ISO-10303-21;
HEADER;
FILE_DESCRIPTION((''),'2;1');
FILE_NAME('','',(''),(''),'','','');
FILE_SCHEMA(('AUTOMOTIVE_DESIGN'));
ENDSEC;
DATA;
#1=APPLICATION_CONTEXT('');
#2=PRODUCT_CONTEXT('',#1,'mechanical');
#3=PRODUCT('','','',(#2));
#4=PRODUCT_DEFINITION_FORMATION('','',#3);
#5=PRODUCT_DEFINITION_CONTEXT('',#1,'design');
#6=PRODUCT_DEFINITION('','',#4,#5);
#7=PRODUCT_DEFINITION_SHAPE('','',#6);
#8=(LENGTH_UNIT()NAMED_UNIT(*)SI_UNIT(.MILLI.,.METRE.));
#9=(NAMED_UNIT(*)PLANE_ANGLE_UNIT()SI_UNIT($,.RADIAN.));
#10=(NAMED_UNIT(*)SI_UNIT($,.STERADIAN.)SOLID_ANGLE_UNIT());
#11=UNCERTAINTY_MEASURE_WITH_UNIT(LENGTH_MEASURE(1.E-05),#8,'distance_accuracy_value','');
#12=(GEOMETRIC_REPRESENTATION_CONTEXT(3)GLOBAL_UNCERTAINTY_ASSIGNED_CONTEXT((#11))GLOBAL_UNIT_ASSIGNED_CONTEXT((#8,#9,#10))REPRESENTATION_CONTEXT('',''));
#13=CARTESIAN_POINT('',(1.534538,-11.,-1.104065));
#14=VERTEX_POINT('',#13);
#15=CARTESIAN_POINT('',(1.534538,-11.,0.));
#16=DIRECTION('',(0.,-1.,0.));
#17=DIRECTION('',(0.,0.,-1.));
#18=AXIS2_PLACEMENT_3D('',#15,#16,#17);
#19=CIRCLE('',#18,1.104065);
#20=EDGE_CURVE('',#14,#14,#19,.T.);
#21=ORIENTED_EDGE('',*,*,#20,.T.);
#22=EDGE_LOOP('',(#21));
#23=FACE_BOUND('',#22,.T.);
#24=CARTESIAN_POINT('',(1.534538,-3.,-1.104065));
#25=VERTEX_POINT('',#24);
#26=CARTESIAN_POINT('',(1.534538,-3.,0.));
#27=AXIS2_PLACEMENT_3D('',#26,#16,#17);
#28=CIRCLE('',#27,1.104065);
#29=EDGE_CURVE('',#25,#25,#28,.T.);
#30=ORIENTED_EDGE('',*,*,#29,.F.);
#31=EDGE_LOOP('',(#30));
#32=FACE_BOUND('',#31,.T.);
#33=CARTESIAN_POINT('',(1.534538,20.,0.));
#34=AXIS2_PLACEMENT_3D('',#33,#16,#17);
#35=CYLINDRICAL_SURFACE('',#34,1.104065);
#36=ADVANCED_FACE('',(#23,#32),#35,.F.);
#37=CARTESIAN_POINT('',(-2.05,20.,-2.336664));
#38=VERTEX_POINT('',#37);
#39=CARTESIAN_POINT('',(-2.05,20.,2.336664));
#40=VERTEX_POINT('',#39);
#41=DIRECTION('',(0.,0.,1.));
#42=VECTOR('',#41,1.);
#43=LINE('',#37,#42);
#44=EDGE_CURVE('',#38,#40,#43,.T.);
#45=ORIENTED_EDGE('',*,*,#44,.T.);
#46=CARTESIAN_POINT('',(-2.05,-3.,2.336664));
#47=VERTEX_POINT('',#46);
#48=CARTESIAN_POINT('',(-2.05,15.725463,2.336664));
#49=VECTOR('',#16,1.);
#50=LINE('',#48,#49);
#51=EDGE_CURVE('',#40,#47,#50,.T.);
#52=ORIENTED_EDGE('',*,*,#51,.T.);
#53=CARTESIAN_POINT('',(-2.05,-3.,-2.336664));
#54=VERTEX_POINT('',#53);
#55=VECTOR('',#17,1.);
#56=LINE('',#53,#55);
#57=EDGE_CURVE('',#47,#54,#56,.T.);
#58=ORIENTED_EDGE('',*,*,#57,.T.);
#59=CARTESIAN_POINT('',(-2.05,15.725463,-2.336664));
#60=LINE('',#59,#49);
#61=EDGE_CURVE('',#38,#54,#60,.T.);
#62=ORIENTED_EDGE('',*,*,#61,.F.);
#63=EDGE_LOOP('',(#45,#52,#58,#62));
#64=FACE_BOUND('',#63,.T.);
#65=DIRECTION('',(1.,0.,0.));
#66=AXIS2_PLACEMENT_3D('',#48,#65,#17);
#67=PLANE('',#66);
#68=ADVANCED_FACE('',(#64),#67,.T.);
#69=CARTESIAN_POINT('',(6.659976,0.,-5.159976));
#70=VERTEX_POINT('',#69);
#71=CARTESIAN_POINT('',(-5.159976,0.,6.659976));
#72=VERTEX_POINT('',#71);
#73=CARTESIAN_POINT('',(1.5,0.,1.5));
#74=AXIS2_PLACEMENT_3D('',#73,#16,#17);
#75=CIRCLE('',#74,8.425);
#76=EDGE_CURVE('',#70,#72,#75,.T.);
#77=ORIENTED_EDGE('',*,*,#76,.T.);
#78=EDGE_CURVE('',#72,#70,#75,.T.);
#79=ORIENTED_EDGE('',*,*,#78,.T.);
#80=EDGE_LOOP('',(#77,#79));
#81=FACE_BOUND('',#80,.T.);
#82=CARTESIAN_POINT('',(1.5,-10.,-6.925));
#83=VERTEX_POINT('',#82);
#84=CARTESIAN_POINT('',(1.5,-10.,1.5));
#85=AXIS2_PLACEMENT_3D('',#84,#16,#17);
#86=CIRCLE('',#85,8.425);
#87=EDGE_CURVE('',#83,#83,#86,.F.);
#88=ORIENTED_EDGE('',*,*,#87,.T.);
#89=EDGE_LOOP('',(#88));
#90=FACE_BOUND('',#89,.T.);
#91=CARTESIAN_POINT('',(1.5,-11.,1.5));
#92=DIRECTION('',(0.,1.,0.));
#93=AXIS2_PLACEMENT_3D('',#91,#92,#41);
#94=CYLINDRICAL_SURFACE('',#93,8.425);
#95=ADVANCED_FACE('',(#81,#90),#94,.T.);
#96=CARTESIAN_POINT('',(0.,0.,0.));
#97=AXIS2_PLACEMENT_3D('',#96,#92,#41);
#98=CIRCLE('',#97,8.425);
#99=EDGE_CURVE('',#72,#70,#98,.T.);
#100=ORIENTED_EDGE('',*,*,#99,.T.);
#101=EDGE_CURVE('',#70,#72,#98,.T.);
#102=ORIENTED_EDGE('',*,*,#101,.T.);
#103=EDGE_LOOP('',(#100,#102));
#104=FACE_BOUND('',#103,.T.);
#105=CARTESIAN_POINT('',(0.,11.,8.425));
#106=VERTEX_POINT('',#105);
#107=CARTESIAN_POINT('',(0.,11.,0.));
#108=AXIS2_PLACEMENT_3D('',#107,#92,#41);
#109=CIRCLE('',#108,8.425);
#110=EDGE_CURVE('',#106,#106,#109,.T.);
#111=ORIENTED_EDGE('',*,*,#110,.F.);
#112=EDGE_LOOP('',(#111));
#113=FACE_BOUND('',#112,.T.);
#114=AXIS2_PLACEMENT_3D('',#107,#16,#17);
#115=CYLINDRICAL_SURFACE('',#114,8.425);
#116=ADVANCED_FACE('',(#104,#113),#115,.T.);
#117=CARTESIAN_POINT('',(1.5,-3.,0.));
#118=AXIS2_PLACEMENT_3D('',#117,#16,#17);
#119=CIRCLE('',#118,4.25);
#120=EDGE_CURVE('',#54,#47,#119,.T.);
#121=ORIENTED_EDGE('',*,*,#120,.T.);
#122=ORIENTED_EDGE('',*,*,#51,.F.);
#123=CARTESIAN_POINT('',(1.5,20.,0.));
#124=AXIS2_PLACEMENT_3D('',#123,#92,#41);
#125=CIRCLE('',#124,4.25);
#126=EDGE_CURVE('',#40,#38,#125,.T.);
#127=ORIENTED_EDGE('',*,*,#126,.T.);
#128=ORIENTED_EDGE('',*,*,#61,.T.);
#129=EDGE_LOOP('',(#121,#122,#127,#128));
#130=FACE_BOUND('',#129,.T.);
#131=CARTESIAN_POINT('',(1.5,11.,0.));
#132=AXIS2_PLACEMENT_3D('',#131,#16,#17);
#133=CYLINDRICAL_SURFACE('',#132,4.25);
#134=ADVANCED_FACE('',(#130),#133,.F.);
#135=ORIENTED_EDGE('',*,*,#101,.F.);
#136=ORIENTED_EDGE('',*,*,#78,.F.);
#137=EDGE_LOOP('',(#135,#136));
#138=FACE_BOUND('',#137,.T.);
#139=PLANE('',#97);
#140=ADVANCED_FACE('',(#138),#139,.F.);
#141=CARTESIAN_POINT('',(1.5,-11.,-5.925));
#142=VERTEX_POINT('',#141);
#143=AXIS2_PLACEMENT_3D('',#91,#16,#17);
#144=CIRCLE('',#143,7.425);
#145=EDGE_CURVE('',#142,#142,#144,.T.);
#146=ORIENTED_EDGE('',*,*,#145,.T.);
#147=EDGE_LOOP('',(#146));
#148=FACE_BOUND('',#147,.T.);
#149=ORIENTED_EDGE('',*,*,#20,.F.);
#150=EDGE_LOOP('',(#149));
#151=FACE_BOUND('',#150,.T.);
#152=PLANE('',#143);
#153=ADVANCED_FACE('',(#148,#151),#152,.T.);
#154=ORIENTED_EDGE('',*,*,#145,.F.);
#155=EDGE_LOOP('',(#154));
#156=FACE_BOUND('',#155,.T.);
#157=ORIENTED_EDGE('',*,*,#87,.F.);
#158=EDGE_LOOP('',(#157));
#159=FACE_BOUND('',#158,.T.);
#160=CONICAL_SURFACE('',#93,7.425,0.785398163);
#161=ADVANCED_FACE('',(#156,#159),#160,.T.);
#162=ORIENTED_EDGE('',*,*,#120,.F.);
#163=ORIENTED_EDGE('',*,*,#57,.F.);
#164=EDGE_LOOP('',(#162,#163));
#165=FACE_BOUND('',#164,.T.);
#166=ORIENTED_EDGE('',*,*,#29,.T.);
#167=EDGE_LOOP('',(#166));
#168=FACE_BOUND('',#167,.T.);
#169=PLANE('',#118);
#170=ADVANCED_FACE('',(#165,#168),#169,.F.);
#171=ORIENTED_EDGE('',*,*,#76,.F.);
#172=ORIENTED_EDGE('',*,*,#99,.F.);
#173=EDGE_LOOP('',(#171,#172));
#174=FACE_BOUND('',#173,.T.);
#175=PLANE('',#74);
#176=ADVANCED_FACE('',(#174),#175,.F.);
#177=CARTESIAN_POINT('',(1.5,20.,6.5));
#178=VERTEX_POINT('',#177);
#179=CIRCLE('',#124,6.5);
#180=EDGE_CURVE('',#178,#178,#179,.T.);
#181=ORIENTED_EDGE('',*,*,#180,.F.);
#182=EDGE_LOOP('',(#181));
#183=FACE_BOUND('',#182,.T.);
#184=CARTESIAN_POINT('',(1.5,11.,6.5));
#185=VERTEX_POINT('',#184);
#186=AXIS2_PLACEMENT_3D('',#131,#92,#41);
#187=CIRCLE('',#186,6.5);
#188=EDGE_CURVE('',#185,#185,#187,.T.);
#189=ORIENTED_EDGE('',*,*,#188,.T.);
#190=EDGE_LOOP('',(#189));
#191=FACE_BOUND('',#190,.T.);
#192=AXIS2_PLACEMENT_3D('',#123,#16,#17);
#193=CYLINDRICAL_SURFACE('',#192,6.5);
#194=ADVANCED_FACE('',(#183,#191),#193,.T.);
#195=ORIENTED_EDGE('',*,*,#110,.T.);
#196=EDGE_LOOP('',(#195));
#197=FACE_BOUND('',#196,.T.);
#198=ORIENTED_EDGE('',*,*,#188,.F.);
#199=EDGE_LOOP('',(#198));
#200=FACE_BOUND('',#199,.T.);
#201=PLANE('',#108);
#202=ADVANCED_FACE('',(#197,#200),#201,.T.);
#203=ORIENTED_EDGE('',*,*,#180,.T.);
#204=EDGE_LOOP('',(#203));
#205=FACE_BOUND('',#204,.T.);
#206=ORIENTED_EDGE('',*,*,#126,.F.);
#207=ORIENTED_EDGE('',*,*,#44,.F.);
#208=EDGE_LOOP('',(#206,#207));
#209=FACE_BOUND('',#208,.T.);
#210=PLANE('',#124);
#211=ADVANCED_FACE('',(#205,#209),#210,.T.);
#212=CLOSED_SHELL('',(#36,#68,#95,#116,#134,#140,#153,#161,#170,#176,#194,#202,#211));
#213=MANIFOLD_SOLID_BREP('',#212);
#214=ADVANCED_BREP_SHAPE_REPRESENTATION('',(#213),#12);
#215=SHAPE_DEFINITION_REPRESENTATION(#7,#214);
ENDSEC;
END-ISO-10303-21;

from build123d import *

# Parameters (mm, degrees)
SKETCH1_R           = 8.425
BOSS_EXTRUDE1_DEPTH = 11
SKETCH3_R           = 8.425
BOSS_EXTRUDE2_DEPTH = 11
SKETCH4_R           = 4.25
CUT_EXTRUDE1_DEPTH  = 27.096192251
BOSS_EXTRUDE3_DEPTH = 22
CHAMFER1_SIZE       = 1
SKETCH6_R           = 6.5
BOSS_EXTRUDE4_DEPTH = 9
BOSS_EXTRUDE5_DEPTH = 8
SKETCH10_R          = 1.104065367
CUT_EXTRUDE2_DEPTH  = 35.029564352


with BuildPart() as part:
    # Sketch1 → Boss-Extrude1 (new body)
    with BuildSketch(Plane(origin=(0, 0, 0), x_dir=(1, 0, 0), z_dir=(0, 1, 0))):
        with Locations(Location((0, 0, 0), (0, 0, 270))):
            Circle(SKETCH1_R)
    extrude(amount=BOSS_EXTRUDE1_DEPTH)

    # Sketch3 → Boss-Extrude2 (add)
    with BuildSketch(Plane.XZ):
        with Locations(Location((1.5, 1.5, 0), (0, 0, 142.232408159))):
            Circle(SKETCH3_R)
    extrude(amount=BOSS_EXTRUDE2_DEPTH)

    # Sketch4 → Cut-Extrude1 (cut, through all)
    with BuildSketch(Plane.XZ.offset(11)):
        with Locations(Location((1.5, 0, 0), (0, 0, 270))):
            Circle(SKETCH4_R)
    extrude(amount=-CUT_EXTRUDE1_DEPTH, mode=Mode.SUBTRACT)

    # Sketch5 → Boss-Extrude3 (add)
    with BuildSketch(Plane.XZ.offset(11)):
        with BuildLine():
            Line((-2.05, 2.336664289), (-2.05, -2.336664289))
            ThreePointArc((-2.05, -2.336664289), (-2.75, 0), (-2.05, 2.336664289))
        make_face()
    extrude(amount=-BOSS_EXTRUDE3_DEPTH)

    # Chamfer1
    chamfer1_edges = [part.edges().sort_by_distance(p)[0] for p in [
        (8.159975677, -11, -3.659975677),
    ]]
    chamfer(chamfer1_edges, length=CHAMFER1_SIZE)

    # Sketch6 → Boss-Extrude4 (add)
    with BuildSketch(Plane(origin=(0, 11, 0), x_dir=(1, 0, 0), z_dir=(0, 1, 0))):
        with Locations(Location((1.5, 0, 0), (0, 0, 270))):
            Circle(SKETCH6_R)
        with BuildLine():
            Line((-2.05, 2.336664289), (-2.05, -2.336664289))
            ThreePointArc((-2.05, -2.336664289), (5.75, 0), (-2.05, 2.336664289))
        make_face(mode=Mode.SUBTRACT)
    extrude(amount=BOSS_EXTRUDE4_DEPTH)

    # Sketch7 → Boss-Extrude5 (add)
    with BuildSketch(Plane.XZ.offset(11)):
        with BuildLine():
            Line((-2.05, -2.336664289), (-2.05, 2.336664289))
            ThreePointArc((-2.05, 2.336664289), (5.75, 0), (-2.05, -2.336664289))
        make_face()
    extrude(amount=-BOSS_EXTRUDE5_DEPTH)

    # Sketch10 → Cut-Extrude2 (cut, through all)
    with BuildSketch(Plane.XZ.offset(11)):
        with Locations(Location((1.534537663, 0, 0), (0, 0, 270))):
            Circle(SKETCH10_R)
    extrude(amount=-CUT_EXTRUDE2_DEPTH, mode=Mode.SUBTRACT)


solid = part.part
